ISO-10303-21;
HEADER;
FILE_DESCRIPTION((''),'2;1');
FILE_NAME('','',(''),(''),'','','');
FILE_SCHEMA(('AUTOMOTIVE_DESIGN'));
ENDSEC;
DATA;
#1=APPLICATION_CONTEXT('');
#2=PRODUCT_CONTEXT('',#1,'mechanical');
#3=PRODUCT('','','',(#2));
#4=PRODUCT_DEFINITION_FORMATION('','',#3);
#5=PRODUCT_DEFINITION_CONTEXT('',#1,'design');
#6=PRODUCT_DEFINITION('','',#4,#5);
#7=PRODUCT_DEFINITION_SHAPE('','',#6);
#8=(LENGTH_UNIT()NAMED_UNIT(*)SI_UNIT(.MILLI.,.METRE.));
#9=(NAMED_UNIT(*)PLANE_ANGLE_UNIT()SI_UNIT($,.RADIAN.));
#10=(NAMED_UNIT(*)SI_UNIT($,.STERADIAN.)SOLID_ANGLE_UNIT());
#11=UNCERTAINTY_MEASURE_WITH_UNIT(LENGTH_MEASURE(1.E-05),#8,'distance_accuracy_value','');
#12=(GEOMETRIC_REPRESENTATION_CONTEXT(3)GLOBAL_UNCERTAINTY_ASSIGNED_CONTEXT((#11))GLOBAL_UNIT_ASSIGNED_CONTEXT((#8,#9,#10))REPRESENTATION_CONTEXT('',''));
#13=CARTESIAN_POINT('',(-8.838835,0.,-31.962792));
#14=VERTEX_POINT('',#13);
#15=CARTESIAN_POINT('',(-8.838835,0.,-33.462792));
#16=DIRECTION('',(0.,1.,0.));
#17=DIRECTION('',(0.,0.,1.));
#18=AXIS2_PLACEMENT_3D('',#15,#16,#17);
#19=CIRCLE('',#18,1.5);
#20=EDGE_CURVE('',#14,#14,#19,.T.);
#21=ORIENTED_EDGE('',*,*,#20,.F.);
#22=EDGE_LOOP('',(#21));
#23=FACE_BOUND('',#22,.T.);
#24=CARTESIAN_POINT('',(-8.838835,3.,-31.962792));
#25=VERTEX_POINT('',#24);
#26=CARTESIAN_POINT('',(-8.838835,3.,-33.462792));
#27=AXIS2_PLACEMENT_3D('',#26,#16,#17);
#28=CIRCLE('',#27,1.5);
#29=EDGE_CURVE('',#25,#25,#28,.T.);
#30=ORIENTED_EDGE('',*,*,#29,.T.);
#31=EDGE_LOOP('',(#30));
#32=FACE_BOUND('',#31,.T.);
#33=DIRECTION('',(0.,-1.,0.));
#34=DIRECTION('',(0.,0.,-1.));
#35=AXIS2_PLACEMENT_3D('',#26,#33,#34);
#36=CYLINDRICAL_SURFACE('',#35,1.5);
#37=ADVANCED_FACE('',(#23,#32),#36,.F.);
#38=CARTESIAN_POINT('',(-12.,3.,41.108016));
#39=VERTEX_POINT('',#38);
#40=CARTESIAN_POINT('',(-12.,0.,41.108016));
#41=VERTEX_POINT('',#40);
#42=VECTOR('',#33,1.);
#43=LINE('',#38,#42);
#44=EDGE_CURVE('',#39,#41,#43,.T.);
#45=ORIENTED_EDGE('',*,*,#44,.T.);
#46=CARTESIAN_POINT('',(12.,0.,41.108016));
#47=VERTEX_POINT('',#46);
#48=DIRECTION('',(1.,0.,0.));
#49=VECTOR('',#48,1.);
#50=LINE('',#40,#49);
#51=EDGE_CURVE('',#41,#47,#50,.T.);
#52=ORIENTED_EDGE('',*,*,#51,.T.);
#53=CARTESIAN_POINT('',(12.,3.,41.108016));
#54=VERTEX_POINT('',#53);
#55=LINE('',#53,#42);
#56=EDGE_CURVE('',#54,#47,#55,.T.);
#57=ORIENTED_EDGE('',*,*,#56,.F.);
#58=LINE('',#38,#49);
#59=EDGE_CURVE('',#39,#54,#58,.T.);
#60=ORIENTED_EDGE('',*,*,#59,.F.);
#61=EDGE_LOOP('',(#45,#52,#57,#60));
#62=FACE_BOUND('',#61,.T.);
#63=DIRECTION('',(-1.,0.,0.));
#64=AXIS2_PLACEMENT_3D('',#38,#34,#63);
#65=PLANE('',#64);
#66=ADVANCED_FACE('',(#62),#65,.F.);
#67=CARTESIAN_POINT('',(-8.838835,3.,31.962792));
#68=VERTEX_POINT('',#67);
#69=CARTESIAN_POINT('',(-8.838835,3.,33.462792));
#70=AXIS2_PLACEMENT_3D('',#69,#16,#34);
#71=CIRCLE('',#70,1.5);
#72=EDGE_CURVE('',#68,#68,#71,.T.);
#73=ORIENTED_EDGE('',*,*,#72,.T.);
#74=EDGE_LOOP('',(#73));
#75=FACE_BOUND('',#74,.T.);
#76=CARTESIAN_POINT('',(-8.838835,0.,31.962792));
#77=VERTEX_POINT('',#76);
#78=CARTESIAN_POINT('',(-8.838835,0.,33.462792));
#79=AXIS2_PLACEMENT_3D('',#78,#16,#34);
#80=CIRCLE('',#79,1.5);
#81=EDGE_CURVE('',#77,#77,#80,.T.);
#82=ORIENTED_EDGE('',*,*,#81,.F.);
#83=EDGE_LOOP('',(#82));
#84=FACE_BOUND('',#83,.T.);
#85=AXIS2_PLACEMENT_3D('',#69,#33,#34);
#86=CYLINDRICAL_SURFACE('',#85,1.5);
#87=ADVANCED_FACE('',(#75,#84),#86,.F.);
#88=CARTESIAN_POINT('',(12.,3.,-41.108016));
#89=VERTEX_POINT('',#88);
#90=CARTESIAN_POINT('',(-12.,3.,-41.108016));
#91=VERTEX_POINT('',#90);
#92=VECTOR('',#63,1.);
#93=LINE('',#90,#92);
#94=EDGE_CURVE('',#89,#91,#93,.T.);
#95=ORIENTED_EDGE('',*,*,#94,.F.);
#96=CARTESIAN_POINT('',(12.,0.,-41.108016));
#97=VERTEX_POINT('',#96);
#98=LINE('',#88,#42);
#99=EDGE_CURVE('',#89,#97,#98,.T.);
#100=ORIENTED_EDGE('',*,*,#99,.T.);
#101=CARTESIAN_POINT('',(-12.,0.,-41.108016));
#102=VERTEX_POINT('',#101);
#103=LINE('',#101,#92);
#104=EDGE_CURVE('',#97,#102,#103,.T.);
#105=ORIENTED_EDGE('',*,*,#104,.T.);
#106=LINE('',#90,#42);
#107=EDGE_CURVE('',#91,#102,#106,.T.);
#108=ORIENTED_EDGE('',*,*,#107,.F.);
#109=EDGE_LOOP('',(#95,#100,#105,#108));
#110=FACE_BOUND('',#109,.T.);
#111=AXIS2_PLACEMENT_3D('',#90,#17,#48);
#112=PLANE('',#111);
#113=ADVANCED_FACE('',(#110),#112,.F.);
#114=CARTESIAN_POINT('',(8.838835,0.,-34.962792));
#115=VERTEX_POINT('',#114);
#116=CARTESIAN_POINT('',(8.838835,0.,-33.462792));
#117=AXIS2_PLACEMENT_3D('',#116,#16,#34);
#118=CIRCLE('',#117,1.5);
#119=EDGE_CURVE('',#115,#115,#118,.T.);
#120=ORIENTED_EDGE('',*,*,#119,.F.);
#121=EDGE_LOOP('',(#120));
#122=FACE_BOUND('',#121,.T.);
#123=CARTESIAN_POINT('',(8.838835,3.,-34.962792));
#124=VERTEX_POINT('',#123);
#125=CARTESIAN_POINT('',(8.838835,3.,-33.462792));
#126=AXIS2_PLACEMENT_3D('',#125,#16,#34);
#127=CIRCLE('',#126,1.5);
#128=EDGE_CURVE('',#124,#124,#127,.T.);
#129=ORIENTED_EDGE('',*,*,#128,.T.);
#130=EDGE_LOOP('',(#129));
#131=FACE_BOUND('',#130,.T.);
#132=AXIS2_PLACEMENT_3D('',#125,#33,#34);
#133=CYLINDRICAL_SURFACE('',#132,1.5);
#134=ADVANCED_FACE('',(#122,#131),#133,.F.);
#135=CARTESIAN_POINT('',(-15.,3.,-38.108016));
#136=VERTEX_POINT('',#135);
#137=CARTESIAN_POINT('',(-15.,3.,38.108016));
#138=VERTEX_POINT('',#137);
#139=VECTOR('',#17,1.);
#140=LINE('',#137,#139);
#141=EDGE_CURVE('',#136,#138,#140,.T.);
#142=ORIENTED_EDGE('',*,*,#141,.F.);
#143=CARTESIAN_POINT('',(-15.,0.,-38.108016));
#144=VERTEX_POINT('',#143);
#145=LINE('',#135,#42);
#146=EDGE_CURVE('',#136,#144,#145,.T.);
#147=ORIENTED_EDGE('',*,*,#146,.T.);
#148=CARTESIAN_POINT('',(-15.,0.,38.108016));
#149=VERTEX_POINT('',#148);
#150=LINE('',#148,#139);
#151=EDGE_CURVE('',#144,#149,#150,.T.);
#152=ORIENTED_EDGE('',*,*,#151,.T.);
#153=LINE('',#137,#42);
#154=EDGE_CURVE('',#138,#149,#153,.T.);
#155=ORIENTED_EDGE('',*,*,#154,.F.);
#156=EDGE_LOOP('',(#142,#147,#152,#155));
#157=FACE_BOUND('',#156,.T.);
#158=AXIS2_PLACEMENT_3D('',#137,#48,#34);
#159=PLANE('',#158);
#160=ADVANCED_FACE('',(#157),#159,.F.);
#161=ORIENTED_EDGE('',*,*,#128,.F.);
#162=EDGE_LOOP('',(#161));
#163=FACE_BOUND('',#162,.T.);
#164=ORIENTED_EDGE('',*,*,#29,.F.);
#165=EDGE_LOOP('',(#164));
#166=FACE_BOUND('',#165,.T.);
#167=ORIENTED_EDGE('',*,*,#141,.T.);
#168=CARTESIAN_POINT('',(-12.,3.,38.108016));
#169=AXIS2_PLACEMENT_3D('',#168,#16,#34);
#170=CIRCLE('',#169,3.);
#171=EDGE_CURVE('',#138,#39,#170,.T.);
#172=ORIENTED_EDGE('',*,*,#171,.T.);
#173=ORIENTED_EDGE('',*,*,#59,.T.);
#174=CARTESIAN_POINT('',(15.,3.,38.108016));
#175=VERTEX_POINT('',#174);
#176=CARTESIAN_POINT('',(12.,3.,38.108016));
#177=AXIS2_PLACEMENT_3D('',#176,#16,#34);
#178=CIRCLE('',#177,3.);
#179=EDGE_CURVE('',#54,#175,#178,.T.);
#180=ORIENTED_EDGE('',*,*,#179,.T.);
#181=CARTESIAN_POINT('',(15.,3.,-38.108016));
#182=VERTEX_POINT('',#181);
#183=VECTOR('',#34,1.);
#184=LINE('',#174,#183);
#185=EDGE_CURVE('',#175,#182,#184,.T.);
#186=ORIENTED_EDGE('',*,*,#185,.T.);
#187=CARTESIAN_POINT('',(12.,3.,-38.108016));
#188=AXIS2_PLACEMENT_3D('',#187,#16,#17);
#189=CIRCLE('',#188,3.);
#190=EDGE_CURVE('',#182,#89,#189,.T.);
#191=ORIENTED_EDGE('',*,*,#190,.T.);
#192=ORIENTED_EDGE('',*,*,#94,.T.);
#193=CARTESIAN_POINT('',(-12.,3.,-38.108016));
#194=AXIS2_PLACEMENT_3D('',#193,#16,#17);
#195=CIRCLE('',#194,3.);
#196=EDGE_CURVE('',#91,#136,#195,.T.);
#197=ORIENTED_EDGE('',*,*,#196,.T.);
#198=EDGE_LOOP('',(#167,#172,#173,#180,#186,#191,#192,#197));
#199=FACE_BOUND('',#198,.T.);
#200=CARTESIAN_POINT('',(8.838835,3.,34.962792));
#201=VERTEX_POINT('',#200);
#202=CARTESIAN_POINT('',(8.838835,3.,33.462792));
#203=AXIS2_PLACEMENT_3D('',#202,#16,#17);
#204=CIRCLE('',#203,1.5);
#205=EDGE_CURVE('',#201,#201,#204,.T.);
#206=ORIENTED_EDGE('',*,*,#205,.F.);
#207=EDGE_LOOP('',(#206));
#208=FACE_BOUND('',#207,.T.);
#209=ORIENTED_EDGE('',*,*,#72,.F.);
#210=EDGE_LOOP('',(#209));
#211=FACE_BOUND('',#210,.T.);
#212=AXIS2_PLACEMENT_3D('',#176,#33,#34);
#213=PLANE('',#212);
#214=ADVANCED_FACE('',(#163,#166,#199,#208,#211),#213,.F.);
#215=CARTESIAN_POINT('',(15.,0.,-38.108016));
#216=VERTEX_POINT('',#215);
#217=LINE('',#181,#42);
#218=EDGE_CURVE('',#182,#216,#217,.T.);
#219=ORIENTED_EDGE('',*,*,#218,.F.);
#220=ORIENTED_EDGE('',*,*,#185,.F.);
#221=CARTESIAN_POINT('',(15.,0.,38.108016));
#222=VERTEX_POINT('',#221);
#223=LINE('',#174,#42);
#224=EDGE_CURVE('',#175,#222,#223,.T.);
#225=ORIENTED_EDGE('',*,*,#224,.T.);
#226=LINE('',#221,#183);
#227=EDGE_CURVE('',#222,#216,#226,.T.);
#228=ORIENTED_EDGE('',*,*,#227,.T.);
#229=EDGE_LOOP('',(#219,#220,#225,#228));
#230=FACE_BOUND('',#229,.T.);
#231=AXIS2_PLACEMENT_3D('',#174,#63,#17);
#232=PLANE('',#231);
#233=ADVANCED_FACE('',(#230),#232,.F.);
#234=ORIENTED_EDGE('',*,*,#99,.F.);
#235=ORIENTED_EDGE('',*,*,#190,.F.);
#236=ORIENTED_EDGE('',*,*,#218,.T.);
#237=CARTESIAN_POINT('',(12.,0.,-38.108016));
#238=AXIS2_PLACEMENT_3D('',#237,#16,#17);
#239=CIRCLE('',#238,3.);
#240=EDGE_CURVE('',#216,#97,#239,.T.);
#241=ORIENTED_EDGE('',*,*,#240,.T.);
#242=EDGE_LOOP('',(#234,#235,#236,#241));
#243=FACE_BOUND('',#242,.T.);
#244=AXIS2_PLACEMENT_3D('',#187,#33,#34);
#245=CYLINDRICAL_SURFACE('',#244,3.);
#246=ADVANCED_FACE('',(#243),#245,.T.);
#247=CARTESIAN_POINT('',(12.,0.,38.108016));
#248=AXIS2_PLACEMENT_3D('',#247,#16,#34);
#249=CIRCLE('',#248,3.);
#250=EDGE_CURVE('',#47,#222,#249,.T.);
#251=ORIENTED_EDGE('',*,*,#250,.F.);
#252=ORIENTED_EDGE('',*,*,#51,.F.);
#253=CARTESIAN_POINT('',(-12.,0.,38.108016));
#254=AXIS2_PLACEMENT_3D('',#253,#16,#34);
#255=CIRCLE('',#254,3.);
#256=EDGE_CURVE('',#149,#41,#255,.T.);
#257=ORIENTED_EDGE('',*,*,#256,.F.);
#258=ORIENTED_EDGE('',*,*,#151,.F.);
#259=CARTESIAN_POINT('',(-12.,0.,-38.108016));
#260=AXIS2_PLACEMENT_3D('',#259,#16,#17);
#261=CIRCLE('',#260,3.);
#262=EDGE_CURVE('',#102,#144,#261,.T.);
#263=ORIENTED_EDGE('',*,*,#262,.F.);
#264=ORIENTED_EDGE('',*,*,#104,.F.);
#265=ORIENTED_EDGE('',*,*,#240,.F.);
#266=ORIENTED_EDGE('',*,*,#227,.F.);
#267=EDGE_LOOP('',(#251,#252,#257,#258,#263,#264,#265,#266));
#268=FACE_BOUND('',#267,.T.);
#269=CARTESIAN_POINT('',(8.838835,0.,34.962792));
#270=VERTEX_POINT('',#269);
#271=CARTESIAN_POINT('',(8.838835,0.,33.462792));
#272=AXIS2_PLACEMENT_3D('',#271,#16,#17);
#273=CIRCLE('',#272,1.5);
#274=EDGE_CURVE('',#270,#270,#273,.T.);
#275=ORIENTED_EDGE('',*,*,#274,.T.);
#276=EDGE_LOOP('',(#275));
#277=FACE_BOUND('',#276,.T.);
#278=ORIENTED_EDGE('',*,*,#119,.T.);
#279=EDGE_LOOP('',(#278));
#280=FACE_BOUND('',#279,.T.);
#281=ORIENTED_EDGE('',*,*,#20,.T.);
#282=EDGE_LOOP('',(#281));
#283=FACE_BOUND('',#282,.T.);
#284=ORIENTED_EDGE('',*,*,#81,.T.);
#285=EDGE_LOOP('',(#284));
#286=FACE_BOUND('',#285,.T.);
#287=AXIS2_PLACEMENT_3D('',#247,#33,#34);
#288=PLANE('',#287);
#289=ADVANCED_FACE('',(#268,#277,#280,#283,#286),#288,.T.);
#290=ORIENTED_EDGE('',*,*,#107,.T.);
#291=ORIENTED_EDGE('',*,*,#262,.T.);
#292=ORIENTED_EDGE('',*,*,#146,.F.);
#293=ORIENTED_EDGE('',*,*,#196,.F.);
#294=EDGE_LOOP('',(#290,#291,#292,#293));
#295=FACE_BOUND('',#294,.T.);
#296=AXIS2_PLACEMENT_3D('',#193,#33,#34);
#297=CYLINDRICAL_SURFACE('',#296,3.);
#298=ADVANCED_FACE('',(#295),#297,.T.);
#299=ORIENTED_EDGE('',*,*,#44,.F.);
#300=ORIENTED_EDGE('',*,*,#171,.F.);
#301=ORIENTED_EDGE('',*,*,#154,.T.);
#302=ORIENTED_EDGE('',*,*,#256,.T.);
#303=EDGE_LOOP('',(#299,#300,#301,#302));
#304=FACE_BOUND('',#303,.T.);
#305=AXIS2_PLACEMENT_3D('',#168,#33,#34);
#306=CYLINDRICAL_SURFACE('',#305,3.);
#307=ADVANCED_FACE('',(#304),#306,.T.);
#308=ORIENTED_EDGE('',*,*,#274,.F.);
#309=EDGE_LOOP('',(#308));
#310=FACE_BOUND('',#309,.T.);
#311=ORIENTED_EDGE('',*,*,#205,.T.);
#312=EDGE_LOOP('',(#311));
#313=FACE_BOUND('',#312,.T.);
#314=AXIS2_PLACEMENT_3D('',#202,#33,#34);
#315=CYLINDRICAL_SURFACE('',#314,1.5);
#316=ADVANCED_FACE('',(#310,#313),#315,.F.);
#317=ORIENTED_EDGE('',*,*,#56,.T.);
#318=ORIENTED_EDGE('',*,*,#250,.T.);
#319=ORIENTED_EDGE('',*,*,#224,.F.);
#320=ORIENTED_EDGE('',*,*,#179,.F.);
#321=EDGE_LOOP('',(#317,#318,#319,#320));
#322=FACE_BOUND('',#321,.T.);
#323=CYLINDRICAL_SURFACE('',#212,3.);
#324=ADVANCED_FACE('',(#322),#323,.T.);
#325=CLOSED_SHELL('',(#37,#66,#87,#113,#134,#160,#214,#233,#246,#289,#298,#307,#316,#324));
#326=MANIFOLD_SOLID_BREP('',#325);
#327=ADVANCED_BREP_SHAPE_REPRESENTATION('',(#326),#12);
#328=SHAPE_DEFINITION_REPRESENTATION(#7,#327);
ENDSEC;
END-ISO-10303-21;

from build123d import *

# Parameters (mm, degrees)
SKETCH1_R           = 1.5
BOSS_EXTRUDE1_DEPTH = 3


with BuildPart() as part:
    # Sketch1 → Boss-Extrude1 (new body)
    with BuildSketch(Plane(origin=(0, 0, 0), x_dir=(1, 0, 0), z_dir=(0, 1, 0))):
        with BuildLine():
            Line((-12, -41.108016468), (12, -41.108016468))
            ThreePointArc((12, -41.108016468), (14.121320344, -40.229336812), (15, -38.108016468))
            Line((15, -38.108016468), (15, 38.108016468))
            ThreePointArc((15, 38.108016468), (14.121320344, 40.229336812), (12, 41.108016468))
            Line((12, 41.108016468), (-12, 41.108016468))
            ThreePointArc((-12, 41.108016468), (-14.121320344, 40.229336812), (-15, 38.108016468))
            Line((-15, 38.108016468), (-15, -38.108016468))
            ThreePointArc((-15, -38.108016468), (-14.121320344, -40.229336812), (-12, -41.108016468))
        make_face()
        with Locations(Location((-8.838834765, 33.462792438, 0), (0, 0, 270))):
            Circle(SKETCH1_R, mode=Mode.SUBTRACT)
        with Locations(Location((8.838834765, 33.462792438, 0), (0, 0, 90))):
            Circle(SKETCH1_R, mode=Mode.SUBTRACT)
        with Locations(Location((8.838834765, -33.462792438, 0), (0, 0, 270))):
            Circle(SKETCH1_R, mode=Mode.SUBTRACT)
        with Locations(Location((-8.838834765, -33.462792438, 0), (0, 0, 90))):
            Circle(SKETCH1_R, mode=Mode.SUBTRACT)
    extrude(amount=BOSS_EXTRUDE1_DEPTH)


solid = part.part
